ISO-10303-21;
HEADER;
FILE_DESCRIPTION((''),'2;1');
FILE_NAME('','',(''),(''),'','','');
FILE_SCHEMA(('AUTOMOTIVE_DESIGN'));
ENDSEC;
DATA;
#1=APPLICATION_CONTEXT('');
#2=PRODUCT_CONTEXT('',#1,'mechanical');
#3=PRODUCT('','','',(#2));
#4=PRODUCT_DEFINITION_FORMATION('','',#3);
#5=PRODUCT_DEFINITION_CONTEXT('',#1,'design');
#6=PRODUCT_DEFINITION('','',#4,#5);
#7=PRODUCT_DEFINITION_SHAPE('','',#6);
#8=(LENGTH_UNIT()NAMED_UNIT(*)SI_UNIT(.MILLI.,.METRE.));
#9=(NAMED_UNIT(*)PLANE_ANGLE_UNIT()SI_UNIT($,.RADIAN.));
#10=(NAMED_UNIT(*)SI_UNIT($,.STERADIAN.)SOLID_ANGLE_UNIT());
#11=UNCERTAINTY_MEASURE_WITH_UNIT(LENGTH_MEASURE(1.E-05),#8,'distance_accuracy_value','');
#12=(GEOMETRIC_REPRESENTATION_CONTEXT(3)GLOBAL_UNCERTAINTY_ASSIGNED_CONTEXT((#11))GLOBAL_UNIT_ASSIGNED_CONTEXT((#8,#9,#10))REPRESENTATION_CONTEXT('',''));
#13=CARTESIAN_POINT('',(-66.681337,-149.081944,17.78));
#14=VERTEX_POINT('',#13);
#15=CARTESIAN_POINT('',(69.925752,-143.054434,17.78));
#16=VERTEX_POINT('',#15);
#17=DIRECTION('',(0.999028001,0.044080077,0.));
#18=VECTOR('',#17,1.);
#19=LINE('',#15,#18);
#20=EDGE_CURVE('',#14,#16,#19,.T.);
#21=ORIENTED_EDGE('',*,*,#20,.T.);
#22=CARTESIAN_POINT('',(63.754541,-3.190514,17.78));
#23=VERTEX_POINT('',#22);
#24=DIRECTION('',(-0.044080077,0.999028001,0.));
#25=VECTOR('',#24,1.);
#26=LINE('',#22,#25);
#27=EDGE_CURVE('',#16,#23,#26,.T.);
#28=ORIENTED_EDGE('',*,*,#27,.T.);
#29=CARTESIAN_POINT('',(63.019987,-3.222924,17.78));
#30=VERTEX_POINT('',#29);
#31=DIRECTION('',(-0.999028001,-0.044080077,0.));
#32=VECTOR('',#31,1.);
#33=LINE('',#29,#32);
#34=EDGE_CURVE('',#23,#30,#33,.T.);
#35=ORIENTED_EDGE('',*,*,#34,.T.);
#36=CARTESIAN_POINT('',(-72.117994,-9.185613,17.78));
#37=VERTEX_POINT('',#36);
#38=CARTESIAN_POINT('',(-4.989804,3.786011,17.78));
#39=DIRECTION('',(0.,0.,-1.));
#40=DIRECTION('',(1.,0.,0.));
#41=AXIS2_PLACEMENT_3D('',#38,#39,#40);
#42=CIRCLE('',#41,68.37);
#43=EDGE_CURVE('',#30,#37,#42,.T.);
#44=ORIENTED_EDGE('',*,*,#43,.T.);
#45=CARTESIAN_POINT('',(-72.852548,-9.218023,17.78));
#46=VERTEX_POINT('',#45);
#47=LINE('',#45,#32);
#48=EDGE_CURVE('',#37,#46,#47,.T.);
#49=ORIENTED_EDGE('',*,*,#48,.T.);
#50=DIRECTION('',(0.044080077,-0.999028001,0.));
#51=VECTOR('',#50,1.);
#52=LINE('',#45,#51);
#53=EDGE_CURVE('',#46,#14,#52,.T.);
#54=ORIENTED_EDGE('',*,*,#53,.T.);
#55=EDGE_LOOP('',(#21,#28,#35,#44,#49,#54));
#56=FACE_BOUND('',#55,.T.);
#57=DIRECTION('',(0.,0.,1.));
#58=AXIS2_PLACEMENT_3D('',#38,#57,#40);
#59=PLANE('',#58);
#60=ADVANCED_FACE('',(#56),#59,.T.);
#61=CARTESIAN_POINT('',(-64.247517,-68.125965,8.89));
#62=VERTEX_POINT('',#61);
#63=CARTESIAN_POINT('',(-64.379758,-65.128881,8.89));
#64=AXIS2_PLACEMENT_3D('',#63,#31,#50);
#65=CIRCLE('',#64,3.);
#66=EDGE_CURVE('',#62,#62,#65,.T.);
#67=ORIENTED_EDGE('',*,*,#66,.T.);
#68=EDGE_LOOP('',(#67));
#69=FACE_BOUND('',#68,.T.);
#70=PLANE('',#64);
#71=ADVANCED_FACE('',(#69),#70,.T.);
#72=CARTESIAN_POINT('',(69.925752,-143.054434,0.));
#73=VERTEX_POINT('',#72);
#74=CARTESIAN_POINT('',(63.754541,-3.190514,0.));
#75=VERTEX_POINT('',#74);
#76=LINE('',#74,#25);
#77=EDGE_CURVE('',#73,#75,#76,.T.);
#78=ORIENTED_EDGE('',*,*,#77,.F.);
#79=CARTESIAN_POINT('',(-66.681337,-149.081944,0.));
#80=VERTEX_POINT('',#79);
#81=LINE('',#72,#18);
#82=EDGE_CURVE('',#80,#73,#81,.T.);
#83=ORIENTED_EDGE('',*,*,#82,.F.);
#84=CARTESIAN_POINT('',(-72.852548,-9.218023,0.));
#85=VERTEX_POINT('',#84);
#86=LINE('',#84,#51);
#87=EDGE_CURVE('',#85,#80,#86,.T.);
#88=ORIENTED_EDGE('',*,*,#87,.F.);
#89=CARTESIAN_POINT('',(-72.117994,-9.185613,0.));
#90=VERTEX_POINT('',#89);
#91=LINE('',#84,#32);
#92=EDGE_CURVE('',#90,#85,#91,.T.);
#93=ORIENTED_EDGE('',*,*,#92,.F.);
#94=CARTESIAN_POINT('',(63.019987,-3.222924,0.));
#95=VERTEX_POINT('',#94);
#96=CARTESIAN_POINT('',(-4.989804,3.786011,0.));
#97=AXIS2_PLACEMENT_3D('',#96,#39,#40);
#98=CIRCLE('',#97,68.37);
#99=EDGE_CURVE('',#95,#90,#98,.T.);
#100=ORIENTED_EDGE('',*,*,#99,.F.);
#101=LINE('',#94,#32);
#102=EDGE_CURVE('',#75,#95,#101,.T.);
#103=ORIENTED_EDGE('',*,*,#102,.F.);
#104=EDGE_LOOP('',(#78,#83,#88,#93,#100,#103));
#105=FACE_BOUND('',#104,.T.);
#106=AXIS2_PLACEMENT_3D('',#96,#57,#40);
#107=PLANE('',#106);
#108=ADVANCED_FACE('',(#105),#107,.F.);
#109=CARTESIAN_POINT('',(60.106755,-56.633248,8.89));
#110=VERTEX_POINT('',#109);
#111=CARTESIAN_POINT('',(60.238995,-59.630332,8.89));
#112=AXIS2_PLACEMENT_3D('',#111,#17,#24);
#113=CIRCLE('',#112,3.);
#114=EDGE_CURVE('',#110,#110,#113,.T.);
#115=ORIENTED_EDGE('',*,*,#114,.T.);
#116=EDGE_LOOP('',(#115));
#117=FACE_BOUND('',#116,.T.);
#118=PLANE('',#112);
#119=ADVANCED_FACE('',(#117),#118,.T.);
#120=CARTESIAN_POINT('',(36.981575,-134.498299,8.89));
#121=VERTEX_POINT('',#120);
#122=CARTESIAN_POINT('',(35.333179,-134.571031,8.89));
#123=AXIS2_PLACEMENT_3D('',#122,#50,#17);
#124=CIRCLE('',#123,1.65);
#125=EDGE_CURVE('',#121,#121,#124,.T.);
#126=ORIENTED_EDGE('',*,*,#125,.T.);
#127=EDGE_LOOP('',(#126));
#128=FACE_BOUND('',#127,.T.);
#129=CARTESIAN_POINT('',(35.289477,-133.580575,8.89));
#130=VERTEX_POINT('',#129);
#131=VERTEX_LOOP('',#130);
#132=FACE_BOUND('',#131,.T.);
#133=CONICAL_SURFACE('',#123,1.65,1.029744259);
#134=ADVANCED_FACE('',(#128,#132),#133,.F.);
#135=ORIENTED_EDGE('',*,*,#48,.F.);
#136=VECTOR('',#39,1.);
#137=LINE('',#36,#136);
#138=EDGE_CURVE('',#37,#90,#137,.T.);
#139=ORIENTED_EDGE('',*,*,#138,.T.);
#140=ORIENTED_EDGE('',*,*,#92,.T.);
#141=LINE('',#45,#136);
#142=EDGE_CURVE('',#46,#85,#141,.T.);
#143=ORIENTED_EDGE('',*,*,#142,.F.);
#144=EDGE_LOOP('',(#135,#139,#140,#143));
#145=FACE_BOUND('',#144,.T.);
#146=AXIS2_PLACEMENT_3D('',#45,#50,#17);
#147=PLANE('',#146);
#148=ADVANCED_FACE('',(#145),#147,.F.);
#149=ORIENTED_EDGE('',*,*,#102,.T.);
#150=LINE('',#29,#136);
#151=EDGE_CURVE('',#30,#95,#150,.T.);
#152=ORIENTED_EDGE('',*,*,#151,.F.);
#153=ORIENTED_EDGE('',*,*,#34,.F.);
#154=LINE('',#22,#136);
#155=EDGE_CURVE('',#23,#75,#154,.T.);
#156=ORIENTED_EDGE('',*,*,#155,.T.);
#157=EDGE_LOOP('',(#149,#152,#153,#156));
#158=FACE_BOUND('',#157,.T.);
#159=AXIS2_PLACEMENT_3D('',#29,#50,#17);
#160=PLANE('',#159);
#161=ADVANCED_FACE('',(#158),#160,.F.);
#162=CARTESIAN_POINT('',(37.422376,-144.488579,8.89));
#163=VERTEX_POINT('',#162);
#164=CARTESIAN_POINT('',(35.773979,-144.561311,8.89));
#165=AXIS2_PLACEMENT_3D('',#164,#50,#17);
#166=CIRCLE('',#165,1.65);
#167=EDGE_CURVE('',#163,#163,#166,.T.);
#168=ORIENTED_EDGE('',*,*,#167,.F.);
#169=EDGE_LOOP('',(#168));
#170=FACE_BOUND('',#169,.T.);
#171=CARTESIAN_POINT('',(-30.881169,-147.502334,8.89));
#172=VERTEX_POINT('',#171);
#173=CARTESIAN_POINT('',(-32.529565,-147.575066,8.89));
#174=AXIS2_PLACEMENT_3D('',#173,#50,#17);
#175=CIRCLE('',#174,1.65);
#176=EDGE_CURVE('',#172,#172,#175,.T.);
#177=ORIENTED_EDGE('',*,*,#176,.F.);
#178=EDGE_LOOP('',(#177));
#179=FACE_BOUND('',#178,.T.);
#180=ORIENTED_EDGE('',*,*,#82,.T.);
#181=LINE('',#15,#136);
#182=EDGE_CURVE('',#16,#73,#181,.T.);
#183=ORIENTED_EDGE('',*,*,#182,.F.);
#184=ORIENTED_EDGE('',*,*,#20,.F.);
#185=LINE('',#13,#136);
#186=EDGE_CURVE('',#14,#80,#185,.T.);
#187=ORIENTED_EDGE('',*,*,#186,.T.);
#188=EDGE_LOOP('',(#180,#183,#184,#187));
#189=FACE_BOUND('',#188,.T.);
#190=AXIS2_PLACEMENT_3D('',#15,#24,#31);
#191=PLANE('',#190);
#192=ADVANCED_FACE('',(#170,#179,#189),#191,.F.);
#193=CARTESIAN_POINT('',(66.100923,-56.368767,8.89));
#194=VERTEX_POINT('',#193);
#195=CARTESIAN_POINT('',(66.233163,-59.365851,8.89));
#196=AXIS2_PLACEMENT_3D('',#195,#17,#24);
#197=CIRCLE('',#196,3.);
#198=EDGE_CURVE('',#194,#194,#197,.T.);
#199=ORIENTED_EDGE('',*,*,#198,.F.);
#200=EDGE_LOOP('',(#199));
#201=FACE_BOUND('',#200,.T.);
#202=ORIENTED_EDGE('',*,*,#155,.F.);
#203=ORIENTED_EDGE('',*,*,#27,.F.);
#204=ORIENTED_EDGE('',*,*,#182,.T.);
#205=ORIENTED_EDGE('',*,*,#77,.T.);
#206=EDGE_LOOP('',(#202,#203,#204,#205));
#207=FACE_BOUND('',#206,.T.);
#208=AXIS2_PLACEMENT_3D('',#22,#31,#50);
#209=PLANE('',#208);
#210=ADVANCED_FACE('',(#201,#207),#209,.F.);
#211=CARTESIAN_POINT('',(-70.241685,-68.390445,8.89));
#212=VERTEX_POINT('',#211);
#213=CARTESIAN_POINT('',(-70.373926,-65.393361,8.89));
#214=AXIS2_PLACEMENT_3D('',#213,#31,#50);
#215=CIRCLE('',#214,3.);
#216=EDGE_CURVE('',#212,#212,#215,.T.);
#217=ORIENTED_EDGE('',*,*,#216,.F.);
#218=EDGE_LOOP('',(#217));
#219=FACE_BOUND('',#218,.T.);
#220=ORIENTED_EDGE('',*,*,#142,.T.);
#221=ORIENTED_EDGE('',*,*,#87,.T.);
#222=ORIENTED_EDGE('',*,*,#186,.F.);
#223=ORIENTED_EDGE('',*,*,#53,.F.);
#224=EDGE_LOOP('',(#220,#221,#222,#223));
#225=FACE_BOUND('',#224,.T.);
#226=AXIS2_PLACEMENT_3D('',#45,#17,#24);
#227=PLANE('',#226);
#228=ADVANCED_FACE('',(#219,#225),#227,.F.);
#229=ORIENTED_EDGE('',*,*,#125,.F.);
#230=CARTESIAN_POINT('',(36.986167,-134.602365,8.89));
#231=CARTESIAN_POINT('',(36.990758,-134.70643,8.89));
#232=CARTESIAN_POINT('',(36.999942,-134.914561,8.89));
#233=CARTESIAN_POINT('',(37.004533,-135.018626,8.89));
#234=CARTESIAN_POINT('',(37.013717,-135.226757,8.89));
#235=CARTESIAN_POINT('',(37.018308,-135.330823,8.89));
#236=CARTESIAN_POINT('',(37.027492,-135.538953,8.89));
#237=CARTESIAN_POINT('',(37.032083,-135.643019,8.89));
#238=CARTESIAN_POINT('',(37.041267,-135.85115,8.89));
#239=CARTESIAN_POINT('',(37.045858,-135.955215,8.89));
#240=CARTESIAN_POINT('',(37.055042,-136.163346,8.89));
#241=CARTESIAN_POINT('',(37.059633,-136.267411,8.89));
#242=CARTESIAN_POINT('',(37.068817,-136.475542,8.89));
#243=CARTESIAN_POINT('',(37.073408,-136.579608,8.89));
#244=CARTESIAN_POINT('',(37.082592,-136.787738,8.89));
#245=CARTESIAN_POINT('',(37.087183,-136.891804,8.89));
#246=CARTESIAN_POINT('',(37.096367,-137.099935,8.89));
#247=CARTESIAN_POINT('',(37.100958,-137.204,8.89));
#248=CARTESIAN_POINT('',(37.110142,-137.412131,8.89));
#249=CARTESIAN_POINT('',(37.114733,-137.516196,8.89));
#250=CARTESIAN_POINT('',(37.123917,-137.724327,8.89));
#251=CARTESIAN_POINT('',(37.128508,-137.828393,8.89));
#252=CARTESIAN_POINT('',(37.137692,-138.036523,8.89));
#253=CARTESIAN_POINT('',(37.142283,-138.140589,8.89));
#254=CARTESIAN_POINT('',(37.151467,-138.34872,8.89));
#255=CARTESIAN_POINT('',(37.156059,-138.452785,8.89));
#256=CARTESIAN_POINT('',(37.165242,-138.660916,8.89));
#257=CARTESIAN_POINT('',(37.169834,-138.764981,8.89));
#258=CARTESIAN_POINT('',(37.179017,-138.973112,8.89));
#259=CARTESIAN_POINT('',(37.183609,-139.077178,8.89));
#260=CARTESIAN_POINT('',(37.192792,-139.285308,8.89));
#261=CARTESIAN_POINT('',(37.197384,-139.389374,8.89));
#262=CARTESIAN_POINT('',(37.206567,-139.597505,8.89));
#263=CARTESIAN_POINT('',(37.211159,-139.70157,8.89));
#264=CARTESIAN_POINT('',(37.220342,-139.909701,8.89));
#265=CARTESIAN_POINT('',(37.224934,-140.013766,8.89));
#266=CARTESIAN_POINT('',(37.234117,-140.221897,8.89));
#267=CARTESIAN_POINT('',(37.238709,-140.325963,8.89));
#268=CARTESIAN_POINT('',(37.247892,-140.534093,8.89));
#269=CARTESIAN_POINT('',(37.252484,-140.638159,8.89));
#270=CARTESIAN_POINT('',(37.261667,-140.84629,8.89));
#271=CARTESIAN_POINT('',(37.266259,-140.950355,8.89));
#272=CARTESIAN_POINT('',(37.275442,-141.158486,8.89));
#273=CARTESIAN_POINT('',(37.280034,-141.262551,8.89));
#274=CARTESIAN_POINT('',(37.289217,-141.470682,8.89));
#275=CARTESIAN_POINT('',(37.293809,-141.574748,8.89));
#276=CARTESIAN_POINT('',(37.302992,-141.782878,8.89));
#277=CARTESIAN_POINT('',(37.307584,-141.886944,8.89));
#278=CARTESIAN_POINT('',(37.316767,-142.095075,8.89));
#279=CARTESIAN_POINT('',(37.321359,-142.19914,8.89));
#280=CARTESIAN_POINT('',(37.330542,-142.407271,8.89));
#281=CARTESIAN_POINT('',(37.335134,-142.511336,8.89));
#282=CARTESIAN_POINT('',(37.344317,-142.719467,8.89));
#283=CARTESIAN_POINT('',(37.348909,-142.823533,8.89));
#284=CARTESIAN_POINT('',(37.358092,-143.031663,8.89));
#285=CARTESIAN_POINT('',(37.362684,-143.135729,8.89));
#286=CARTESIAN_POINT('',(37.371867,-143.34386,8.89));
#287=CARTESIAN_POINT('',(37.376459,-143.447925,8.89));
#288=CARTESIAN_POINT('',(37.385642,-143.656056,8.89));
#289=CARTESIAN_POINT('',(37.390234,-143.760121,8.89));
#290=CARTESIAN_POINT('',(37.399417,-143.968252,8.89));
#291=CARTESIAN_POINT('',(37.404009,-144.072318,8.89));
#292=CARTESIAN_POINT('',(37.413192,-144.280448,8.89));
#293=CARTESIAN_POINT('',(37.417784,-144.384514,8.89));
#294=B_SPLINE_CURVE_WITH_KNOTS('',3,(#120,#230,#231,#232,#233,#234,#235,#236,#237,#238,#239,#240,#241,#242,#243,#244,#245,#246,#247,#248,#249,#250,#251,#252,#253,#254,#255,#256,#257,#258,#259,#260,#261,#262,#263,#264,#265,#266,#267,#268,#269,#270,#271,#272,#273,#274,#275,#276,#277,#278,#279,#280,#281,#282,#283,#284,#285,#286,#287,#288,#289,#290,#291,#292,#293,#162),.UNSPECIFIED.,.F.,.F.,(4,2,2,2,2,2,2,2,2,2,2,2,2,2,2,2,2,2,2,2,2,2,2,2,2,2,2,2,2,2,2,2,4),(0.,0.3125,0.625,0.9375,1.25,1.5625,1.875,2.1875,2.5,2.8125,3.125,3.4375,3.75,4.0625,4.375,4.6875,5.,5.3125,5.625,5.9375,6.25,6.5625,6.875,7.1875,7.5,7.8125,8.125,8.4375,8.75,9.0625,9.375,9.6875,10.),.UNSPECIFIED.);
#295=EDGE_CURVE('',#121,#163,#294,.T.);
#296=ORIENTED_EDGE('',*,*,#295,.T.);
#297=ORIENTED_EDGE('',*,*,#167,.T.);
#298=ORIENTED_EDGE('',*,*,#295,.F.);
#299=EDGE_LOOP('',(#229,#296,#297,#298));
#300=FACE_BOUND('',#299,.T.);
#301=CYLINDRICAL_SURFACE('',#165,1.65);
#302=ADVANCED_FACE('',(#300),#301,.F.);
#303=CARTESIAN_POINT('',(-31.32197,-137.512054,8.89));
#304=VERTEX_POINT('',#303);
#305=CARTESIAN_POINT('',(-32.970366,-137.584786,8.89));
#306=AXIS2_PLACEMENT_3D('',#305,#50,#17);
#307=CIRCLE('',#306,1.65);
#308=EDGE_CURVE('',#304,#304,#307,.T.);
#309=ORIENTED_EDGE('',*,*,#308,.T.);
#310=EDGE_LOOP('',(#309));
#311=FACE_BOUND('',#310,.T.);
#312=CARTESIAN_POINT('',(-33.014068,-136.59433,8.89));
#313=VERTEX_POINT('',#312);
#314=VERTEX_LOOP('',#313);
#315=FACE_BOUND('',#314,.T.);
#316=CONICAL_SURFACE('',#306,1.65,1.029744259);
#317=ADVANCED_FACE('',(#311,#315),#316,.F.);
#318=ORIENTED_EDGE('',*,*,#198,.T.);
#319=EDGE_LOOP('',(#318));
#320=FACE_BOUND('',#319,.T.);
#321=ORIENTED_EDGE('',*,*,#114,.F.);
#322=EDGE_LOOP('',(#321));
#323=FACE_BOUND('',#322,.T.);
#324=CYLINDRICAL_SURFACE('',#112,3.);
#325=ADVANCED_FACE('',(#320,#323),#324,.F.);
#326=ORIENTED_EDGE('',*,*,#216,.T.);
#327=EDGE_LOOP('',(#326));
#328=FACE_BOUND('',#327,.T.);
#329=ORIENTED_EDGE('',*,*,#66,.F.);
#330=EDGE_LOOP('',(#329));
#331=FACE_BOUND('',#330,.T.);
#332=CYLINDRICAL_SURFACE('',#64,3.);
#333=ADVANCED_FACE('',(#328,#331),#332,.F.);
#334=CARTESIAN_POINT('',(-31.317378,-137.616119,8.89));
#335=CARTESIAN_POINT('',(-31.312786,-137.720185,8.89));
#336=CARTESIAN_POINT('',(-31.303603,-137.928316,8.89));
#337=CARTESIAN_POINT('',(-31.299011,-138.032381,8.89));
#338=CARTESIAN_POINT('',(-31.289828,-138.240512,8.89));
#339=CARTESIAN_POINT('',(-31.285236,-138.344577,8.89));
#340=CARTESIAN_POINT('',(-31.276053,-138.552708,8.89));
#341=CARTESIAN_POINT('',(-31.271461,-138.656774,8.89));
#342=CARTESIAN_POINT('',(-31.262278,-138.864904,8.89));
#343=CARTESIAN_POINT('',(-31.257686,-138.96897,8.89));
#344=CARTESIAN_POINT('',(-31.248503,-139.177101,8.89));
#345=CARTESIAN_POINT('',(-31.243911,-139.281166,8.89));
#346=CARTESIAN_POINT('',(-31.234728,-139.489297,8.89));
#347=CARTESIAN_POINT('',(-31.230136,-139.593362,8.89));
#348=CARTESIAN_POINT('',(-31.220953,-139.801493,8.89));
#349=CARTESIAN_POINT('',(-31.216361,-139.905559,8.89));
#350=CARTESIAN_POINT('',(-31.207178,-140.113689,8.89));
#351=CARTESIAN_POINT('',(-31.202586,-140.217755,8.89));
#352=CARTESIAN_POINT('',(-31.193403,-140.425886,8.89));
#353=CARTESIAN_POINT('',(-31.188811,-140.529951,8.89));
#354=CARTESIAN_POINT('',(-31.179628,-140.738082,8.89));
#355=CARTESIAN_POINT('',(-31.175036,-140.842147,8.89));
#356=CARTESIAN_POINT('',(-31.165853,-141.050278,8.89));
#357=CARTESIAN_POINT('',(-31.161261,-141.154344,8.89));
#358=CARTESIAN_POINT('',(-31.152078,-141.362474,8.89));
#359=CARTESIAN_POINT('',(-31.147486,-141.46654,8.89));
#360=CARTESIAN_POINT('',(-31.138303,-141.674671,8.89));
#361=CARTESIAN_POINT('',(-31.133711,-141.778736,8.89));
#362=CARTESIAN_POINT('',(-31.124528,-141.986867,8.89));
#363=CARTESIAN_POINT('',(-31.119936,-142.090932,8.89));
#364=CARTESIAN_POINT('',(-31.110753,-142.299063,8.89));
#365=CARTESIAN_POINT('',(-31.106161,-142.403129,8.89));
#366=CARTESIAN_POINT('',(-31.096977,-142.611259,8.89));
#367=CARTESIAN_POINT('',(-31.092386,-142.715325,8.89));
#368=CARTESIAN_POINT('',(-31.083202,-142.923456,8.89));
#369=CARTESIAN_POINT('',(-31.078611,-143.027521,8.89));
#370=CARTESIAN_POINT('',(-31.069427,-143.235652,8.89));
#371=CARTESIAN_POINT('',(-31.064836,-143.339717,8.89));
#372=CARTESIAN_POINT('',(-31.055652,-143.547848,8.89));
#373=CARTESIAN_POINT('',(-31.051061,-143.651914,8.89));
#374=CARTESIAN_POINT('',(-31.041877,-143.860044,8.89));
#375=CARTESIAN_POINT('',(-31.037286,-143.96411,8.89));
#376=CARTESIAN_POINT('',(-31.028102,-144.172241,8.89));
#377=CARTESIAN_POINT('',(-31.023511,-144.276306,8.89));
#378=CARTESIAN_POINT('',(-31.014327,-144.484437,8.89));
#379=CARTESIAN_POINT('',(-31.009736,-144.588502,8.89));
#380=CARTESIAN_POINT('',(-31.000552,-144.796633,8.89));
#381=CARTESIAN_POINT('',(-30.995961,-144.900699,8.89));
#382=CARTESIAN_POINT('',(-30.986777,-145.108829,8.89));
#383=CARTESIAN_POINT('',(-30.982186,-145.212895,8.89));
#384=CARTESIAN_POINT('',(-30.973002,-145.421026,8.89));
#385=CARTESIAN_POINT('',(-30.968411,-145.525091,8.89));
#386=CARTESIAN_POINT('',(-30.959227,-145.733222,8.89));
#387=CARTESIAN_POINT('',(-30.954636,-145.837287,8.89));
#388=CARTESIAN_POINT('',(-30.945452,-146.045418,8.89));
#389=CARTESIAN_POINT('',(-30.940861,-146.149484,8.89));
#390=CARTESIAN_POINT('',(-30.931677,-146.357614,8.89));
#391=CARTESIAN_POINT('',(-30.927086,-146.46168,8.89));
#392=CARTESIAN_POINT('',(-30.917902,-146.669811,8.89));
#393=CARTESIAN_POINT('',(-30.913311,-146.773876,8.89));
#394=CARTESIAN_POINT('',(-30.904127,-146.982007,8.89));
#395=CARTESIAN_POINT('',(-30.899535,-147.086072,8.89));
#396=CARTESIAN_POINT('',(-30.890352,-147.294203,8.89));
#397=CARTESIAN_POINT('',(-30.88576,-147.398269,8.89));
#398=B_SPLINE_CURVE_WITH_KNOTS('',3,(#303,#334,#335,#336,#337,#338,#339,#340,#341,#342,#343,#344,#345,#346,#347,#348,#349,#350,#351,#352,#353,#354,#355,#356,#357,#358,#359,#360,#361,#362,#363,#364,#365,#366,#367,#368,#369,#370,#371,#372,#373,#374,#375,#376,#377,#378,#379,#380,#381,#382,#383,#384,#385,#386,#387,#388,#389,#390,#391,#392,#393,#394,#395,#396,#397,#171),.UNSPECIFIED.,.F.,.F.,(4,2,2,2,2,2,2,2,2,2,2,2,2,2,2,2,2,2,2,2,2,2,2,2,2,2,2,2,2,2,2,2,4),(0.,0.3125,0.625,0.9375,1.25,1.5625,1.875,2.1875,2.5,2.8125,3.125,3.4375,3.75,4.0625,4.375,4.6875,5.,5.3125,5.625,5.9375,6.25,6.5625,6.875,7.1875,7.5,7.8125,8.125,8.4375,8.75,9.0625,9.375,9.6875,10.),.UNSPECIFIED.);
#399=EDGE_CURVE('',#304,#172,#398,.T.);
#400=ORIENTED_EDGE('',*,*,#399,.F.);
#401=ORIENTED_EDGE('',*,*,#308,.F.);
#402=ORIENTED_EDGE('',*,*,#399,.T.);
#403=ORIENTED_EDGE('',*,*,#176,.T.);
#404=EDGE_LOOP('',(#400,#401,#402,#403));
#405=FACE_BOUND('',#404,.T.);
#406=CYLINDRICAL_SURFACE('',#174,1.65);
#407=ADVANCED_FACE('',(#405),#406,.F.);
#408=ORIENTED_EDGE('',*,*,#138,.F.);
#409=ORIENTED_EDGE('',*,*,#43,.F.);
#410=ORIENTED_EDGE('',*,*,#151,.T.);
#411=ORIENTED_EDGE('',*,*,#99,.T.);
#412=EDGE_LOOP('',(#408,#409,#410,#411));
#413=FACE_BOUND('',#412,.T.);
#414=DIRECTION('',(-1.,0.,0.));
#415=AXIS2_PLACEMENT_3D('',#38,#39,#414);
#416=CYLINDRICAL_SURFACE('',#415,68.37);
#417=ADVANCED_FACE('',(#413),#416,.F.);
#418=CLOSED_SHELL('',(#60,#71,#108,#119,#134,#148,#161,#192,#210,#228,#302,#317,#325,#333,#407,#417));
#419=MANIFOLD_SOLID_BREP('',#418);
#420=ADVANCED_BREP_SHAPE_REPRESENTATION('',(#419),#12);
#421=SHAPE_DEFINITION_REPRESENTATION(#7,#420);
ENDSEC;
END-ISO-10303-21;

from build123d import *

# Parameters (mm, degrees)
BOSS_EXTRUDE1_DEPTH                       = 17.78
SKETCH3_R                                 = 3
CUT_EXTRUDE3_DEPTH                        = 6
CUT_EXTRUDE4_START                        = -6
SKETCH4_R                                 = 3
CUT_EXTRUDE4_DEPTH                        = 6
TAP_DRILL_FOR_M4X0_7_TAP1_D               = 3.3
TAP_DRILL_FOR_M4X0_7_TAP1_DEPTH           = 10
TAP_DRILL_FOR_M4X0_7_TAP1_TIP             = 0.991420021
TAP_DRILL_FOR_M4X0_7_TAP1_ON_FACE_2_D     = 3.3
TAP_DRILL_FOR_M4X0_7_TAP1_ON_FACE_2_DEPTH = 10
TAP_DRILL_FOR_M4X0_7_TAP1_ON_FACE_2_TIP   = 0.991420021


with BuildPart() as part:
    # Sketch1 → Boss-Extrude1 (new body)
    with BuildSketch(Plane(origin=(0, 0, 0), x_dir=(-0.044080076933776656, 0.9990280010177455, 0), z_dir=(0, 0, 1))):
        with BuildLine():
            Line((-5.997717637, -62.816664904), (-5.997717637, -63.551933441))
            Line((-5.997717637, -63.551933441), (-145.997717637, -63.551933441))
            Line((-145.997717637, -63.551933441), (-145.997717637, 73.188066556))
            Line((-145.997717637, 73.188066556), (-5.997717637, 73.188066556))
            Line((-5.997717637, 73.188066556), (-5.997717637, 72.452798018))
            ThreePointArc((-5.997717637, 72.452798018), (-64.367717636, 4.818066557), (-5.997717637, -62.816664904))
        make_face()
    extrude(amount=BOSS_EXTRUDE1_DEPTH)

    # Sketch3 → Cut-Extrude3 (cut)
    with BuildSketch(Plane(origin=(-73.116927829, -3.226135604, 0), x_dir=(0, 0, 1), z_dir=(-0.9990280010177455, -0.044080076933776635, 0))):
        with Locations(Location((8.89, -62.227710676, 0), (0, 0, 270))):
            Circle(SKETCH3_R)
    extrude(amount=-CUT_EXTRUDE3_DEPTH, mode=Mode.SUBTRACT)

    # Sketch4 → Cut-Extrude4 (cut)
    with BuildSketch(Plane(origin=(63.490161027, 2.801374115, 0), x_dir=(0, 0, -1), z_dir=(0.9990280010177455, 0.044080076933776635, 0)).offset(CUT_EXTRUDE4_START)):
        with Locations(Location((-8.89, -62.227710676, 0), (0, 0, 270))):
            Circle(SKETCH4_R)
    extrude(amount=CUT_EXTRUDE4_DEPTH, mode=Mode.SUBTRACT)

    # Tap Drill for M4x0.7 Tap1
    with Locations(Plane(origin=(-32.52956499, -147.575066179, 8.89), x_dir=(-0.999028001018, -0.044080076934, 0), z_dir=(0.044080076934, -0.999028001018, 0))):
        with Locations((0, 0)):
            Hole(TAP_DRILL_FOR_M4X0_7_TAP1_D / 2, depth=TAP_DRILL_FOR_M4X0_7_TAP1_DEPTH)
            with Locations((0, 0, -(TAP_DRILL_FOR_M4X0_7_TAP1_DEPTH + TAP_DRILL_FOR_M4X0_7_TAP1_TIP / 2))):  # 118° drill point
                Cone(0, TAP_DRILL_FOR_M4X0_7_TAP1_D / 2, TAP_DRILL_FOR_M4X0_7_TAP1_TIP, mode=Mode.SUBTRACT)

    # Tap Drill for M4x0.7 Tap1 on face 2
    with Locations(Plane(origin=(35.773979438, -144.561311319, 8.89), x_dir=(-0.999028004404, -0.044080000194, 0), z_dir=(0.044080000194, -0.999028004404, 0))):
        with Locations((0, 0)):
            Hole(TAP_DRILL_FOR_M4X0_7_TAP1_ON_FACE_2_D / 2, depth=TAP_DRILL_FOR_M4X0_7_TAP1_ON_FACE_2_DEPTH)
            with Locations((0, 0, -(TAP_DRILL_FOR_M4X0_7_TAP1_ON_FACE_2_DEPTH + TAP_DRILL_FOR_M4X0_7_TAP1_ON_FACE_2_TIP / 2))):  # 118° drill point
                Cone(0, TAP_DRILL_FOR_M4X0_7_TAP1_ON_FACE_2_D / 2, TAP_DRILL_FOR_M4X0_7_TAP1_ON_FACE_2_TIP, mode=Mode.SUBTRACT)


solid = part.part
